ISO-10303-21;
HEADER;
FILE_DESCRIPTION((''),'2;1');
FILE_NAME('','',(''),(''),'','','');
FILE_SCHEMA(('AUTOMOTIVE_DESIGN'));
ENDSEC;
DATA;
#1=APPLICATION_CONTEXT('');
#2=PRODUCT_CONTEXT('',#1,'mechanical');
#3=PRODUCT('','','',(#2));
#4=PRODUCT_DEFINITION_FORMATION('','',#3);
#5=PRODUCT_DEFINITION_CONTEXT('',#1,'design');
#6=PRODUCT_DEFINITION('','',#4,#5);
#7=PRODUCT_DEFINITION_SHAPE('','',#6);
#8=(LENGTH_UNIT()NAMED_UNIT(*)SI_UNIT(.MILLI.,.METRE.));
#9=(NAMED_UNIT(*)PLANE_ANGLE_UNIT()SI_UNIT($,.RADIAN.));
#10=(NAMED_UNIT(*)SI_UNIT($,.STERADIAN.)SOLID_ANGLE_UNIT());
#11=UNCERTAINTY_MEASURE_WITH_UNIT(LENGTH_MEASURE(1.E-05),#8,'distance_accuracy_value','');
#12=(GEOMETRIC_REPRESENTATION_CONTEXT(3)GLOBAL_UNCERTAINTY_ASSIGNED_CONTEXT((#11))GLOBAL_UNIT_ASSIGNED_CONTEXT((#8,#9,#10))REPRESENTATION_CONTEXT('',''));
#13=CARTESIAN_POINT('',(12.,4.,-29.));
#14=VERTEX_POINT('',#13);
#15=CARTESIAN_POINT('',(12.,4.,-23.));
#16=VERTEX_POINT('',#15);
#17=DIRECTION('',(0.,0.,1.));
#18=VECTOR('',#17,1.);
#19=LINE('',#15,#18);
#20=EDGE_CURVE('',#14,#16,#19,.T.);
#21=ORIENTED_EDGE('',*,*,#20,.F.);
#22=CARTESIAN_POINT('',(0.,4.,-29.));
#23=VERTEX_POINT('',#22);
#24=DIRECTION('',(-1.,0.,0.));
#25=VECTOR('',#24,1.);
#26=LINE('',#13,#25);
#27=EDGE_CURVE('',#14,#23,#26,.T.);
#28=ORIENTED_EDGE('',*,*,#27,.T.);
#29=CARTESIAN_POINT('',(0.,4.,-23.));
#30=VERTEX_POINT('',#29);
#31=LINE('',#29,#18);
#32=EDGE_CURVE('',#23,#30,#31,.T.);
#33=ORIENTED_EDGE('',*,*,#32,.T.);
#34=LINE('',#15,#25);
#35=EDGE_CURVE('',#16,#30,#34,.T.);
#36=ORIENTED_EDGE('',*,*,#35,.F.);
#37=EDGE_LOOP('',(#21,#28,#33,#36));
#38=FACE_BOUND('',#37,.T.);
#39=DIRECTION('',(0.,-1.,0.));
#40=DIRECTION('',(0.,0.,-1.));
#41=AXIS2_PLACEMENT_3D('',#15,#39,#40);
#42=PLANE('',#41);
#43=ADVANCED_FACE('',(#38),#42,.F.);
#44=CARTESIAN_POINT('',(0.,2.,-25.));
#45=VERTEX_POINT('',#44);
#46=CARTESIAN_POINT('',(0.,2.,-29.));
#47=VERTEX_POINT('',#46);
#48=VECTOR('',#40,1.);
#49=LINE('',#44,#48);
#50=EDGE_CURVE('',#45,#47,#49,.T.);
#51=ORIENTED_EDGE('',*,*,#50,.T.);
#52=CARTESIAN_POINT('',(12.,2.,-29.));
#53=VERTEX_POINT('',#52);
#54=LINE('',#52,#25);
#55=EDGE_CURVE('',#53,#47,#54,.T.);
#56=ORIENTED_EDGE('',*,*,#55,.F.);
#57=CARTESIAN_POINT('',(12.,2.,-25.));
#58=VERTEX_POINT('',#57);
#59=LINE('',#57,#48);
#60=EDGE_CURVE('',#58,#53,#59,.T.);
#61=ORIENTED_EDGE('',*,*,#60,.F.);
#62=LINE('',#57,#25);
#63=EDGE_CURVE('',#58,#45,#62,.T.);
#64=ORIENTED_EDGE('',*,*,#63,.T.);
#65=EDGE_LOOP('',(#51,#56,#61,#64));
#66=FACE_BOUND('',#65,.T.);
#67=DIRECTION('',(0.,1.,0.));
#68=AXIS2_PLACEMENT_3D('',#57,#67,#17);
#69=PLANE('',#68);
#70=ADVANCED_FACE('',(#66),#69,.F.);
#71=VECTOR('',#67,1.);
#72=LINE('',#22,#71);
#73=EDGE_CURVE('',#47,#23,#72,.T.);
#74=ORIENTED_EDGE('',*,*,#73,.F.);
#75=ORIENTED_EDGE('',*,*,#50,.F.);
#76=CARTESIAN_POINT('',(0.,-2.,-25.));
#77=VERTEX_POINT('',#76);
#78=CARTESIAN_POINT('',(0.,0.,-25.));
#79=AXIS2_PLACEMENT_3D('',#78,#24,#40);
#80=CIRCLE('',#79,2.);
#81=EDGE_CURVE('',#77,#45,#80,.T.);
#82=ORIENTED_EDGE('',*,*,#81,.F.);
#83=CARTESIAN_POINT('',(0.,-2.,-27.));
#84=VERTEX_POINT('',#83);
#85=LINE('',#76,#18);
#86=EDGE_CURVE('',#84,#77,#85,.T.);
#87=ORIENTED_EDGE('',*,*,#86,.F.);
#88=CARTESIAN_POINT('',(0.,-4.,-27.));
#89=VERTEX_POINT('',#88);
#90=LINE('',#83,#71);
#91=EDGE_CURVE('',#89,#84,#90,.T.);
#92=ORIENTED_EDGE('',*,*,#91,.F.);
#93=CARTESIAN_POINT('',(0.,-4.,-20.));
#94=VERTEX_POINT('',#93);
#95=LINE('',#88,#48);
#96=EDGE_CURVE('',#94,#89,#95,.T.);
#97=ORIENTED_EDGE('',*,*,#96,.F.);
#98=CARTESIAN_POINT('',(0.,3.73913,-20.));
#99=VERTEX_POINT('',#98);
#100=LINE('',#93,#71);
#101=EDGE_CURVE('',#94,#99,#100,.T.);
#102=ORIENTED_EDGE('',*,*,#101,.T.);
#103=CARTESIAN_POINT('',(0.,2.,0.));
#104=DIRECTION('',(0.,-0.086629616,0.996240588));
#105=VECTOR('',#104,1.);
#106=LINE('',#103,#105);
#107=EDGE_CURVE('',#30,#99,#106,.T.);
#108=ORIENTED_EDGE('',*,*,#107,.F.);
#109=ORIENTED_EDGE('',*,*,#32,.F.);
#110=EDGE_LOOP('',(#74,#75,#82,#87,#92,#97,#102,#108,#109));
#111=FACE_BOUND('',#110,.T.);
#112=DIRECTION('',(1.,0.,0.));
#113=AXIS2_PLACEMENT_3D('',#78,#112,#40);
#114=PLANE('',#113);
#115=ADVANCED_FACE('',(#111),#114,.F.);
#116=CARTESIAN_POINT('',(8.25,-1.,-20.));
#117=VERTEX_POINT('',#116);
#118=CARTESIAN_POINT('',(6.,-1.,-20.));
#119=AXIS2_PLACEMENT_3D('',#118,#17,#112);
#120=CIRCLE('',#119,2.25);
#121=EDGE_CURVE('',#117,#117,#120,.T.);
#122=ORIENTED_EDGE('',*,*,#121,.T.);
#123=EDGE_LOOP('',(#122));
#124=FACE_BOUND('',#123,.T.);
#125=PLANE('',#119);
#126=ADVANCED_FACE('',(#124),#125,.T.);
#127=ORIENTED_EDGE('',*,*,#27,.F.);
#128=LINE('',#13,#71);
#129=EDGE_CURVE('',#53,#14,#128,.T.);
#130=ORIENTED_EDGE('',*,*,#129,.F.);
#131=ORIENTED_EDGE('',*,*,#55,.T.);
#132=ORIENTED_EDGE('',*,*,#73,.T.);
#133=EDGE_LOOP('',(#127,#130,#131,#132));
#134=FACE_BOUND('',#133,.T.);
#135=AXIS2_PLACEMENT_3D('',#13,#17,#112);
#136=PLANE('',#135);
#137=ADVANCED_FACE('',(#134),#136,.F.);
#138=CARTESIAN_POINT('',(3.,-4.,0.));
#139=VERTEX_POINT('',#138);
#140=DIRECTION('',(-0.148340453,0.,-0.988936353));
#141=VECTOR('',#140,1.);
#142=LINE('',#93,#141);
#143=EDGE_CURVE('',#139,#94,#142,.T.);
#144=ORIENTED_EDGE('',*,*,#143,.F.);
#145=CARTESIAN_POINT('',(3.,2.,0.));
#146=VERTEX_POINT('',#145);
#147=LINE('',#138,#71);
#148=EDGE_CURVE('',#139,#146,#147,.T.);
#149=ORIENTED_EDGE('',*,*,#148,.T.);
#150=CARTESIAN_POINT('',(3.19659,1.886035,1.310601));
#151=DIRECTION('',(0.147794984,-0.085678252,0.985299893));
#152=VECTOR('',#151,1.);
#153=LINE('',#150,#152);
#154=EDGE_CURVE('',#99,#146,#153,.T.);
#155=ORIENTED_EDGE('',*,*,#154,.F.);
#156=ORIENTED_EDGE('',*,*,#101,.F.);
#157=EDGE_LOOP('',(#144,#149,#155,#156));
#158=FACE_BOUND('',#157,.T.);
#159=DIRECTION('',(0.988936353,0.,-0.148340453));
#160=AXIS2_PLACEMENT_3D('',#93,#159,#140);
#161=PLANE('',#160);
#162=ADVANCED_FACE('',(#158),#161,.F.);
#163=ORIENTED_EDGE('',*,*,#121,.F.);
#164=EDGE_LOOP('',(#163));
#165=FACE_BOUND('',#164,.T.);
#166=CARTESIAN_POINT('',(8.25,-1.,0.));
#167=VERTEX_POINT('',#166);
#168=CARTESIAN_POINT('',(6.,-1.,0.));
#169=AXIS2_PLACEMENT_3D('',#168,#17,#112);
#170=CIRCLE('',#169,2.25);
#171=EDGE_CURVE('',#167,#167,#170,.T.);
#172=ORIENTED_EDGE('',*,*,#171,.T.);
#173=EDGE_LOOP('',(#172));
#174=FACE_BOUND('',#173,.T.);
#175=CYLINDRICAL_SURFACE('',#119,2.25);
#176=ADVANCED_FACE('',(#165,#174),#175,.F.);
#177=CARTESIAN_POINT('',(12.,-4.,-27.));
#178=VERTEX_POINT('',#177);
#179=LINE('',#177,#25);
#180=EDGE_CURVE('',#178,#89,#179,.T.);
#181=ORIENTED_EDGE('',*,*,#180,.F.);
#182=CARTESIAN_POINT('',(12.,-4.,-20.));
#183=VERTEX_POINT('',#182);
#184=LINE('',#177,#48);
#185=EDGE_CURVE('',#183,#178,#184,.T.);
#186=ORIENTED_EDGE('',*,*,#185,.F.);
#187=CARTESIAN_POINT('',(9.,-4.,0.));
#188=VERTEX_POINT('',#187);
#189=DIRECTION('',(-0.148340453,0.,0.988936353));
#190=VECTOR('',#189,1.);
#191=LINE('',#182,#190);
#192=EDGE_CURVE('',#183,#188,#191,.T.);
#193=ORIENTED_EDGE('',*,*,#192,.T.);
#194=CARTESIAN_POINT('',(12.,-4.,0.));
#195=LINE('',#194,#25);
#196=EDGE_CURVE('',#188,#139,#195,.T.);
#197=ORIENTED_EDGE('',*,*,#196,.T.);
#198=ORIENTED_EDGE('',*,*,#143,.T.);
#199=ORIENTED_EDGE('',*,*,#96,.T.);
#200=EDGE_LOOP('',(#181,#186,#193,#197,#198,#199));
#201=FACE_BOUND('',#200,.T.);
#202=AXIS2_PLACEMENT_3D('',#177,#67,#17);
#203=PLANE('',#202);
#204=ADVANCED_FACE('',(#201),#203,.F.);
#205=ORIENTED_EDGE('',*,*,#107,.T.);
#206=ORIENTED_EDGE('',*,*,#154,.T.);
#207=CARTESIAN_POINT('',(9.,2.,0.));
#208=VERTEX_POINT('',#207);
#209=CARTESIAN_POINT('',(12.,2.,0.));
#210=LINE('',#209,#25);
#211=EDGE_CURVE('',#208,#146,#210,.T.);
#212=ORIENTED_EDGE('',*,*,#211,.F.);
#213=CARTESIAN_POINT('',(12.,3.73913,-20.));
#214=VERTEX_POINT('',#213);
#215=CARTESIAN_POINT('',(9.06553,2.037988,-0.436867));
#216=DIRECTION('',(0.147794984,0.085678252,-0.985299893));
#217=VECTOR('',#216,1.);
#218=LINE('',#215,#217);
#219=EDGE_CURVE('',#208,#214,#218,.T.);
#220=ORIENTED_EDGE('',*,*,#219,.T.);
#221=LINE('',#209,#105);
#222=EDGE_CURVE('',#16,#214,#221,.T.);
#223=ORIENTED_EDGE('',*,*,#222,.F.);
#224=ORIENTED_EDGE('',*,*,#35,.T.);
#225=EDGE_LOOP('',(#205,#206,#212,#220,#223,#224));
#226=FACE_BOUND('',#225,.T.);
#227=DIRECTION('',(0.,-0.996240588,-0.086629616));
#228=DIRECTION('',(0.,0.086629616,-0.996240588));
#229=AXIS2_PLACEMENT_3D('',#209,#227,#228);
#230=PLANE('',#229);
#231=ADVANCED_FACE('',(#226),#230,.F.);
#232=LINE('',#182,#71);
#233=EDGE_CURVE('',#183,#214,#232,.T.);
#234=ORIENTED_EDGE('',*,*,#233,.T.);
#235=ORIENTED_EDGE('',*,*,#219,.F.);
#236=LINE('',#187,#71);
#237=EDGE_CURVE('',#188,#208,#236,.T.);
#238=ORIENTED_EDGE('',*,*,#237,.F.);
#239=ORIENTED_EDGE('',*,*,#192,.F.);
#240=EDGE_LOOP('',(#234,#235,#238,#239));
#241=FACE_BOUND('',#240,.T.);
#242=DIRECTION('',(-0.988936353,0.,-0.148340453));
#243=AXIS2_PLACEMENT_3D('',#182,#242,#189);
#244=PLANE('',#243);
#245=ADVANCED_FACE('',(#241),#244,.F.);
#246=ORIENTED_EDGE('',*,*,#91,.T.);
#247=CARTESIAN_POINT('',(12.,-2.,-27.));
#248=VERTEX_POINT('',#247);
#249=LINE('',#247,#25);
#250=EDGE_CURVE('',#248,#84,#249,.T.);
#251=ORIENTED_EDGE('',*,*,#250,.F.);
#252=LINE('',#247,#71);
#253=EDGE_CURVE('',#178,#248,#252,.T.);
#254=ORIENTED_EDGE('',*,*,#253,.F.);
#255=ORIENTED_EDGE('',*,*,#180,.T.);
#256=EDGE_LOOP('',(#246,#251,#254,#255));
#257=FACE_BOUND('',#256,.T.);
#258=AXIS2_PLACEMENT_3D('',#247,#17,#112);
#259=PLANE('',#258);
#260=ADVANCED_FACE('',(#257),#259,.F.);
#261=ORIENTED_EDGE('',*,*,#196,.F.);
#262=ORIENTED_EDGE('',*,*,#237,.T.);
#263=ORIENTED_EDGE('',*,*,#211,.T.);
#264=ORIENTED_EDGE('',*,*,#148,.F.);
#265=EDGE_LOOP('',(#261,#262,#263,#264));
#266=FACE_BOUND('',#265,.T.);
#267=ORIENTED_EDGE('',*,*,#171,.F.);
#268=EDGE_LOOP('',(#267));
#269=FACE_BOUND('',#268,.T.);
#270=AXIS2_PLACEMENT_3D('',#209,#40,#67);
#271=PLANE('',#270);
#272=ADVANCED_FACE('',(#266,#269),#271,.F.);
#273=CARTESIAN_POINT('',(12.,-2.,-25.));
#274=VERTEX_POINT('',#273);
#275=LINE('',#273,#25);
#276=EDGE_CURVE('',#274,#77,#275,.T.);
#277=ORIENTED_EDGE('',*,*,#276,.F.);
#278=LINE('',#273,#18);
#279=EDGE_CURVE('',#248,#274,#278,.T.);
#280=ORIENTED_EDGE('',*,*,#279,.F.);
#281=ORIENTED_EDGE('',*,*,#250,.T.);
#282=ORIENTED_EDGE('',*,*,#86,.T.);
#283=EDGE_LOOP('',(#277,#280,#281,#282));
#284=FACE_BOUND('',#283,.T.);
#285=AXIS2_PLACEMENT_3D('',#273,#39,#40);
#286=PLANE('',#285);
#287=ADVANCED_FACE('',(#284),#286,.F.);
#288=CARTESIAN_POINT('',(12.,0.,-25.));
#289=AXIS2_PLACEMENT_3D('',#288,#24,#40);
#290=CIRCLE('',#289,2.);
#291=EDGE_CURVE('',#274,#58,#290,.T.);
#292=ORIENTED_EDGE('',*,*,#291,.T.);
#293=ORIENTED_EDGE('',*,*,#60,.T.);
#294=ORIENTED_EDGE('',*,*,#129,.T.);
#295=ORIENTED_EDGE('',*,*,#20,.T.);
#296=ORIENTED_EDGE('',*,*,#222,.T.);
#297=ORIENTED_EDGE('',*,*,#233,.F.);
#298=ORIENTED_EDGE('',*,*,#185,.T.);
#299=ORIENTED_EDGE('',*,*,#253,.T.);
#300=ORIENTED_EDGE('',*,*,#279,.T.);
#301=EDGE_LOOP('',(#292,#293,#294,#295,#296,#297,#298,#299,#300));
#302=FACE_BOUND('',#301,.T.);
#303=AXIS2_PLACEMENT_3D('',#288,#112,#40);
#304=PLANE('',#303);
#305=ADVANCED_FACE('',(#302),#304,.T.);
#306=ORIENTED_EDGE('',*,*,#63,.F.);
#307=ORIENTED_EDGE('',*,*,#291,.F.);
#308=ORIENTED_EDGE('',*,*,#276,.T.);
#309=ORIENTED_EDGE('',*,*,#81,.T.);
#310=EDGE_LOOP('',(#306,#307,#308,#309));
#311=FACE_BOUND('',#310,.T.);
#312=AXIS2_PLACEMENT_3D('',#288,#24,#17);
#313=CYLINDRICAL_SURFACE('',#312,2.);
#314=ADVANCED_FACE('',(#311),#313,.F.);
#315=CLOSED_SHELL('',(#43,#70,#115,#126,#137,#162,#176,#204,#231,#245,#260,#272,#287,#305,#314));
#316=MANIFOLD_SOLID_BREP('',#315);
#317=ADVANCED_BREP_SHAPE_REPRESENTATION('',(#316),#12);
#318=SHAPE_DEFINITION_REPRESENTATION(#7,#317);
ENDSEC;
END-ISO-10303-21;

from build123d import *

# Parameters (mm, degrees)
EXTRUDE_1_DEPTH     = 12
CUT_EXTRUDE_1_DEPTH = 9
SKETCH_3_R          = 2.25
CUT_EXTRUDE_2_DEPTH = 20


with BuildPart() as part:
    # Эскиз1 → Бобышка-Вытянуть1 (new body)
    with BuildSketch(Plane(origin=(0, 0, 0), x_dir=(0, 0, -1), z_dir=(1, 0, 0))):
        with BuildLine():
            Line((0, 2), (0, -4))
            Line((0, -4), (27, -4))
            Line((27, -4), (27, -2))
            Line((27, -2), (25, -2))
            ThreePointArc((25, -2), (23, 0), (25, 2))
            Line((25, 2), (29, 2))
            Line((29, 2), (29, 4))
            Line((29, 4), (23, 4))
            Line((23, 4), (0, 2))
        make_face()
    extrude(amount=EXTRUDE_1_DEPTH)

    # Эскиз2 → Вырез-Вытянуть1 (cut, through all)
    with BuildSketch(Plane(origin=(0, 4, 0), x_dir=(1, 0, 0), z_dir=(0, 1, 0))):
        Polygon((0, 0), (0, 20), (3, 0), align=None)
        Polygon((12, 20), (9, 0), (12, 0), align=None)
    extrude(amount=-CUT_EXTRUDE_1_DEPTH, mode=Mode.SUBTRACT)

    # Эскиз3 → Вырез-Вытянуть2 (cut)
    with BuildSketch(Plane.XY):
        with Locations((6, -1)):
            Circle(SKETCH_3_R)
    extrude(amount=-CUT_EXTRUDE_2_DEPTH, mode=Mode.SUBTRACT)


solid = part.part
